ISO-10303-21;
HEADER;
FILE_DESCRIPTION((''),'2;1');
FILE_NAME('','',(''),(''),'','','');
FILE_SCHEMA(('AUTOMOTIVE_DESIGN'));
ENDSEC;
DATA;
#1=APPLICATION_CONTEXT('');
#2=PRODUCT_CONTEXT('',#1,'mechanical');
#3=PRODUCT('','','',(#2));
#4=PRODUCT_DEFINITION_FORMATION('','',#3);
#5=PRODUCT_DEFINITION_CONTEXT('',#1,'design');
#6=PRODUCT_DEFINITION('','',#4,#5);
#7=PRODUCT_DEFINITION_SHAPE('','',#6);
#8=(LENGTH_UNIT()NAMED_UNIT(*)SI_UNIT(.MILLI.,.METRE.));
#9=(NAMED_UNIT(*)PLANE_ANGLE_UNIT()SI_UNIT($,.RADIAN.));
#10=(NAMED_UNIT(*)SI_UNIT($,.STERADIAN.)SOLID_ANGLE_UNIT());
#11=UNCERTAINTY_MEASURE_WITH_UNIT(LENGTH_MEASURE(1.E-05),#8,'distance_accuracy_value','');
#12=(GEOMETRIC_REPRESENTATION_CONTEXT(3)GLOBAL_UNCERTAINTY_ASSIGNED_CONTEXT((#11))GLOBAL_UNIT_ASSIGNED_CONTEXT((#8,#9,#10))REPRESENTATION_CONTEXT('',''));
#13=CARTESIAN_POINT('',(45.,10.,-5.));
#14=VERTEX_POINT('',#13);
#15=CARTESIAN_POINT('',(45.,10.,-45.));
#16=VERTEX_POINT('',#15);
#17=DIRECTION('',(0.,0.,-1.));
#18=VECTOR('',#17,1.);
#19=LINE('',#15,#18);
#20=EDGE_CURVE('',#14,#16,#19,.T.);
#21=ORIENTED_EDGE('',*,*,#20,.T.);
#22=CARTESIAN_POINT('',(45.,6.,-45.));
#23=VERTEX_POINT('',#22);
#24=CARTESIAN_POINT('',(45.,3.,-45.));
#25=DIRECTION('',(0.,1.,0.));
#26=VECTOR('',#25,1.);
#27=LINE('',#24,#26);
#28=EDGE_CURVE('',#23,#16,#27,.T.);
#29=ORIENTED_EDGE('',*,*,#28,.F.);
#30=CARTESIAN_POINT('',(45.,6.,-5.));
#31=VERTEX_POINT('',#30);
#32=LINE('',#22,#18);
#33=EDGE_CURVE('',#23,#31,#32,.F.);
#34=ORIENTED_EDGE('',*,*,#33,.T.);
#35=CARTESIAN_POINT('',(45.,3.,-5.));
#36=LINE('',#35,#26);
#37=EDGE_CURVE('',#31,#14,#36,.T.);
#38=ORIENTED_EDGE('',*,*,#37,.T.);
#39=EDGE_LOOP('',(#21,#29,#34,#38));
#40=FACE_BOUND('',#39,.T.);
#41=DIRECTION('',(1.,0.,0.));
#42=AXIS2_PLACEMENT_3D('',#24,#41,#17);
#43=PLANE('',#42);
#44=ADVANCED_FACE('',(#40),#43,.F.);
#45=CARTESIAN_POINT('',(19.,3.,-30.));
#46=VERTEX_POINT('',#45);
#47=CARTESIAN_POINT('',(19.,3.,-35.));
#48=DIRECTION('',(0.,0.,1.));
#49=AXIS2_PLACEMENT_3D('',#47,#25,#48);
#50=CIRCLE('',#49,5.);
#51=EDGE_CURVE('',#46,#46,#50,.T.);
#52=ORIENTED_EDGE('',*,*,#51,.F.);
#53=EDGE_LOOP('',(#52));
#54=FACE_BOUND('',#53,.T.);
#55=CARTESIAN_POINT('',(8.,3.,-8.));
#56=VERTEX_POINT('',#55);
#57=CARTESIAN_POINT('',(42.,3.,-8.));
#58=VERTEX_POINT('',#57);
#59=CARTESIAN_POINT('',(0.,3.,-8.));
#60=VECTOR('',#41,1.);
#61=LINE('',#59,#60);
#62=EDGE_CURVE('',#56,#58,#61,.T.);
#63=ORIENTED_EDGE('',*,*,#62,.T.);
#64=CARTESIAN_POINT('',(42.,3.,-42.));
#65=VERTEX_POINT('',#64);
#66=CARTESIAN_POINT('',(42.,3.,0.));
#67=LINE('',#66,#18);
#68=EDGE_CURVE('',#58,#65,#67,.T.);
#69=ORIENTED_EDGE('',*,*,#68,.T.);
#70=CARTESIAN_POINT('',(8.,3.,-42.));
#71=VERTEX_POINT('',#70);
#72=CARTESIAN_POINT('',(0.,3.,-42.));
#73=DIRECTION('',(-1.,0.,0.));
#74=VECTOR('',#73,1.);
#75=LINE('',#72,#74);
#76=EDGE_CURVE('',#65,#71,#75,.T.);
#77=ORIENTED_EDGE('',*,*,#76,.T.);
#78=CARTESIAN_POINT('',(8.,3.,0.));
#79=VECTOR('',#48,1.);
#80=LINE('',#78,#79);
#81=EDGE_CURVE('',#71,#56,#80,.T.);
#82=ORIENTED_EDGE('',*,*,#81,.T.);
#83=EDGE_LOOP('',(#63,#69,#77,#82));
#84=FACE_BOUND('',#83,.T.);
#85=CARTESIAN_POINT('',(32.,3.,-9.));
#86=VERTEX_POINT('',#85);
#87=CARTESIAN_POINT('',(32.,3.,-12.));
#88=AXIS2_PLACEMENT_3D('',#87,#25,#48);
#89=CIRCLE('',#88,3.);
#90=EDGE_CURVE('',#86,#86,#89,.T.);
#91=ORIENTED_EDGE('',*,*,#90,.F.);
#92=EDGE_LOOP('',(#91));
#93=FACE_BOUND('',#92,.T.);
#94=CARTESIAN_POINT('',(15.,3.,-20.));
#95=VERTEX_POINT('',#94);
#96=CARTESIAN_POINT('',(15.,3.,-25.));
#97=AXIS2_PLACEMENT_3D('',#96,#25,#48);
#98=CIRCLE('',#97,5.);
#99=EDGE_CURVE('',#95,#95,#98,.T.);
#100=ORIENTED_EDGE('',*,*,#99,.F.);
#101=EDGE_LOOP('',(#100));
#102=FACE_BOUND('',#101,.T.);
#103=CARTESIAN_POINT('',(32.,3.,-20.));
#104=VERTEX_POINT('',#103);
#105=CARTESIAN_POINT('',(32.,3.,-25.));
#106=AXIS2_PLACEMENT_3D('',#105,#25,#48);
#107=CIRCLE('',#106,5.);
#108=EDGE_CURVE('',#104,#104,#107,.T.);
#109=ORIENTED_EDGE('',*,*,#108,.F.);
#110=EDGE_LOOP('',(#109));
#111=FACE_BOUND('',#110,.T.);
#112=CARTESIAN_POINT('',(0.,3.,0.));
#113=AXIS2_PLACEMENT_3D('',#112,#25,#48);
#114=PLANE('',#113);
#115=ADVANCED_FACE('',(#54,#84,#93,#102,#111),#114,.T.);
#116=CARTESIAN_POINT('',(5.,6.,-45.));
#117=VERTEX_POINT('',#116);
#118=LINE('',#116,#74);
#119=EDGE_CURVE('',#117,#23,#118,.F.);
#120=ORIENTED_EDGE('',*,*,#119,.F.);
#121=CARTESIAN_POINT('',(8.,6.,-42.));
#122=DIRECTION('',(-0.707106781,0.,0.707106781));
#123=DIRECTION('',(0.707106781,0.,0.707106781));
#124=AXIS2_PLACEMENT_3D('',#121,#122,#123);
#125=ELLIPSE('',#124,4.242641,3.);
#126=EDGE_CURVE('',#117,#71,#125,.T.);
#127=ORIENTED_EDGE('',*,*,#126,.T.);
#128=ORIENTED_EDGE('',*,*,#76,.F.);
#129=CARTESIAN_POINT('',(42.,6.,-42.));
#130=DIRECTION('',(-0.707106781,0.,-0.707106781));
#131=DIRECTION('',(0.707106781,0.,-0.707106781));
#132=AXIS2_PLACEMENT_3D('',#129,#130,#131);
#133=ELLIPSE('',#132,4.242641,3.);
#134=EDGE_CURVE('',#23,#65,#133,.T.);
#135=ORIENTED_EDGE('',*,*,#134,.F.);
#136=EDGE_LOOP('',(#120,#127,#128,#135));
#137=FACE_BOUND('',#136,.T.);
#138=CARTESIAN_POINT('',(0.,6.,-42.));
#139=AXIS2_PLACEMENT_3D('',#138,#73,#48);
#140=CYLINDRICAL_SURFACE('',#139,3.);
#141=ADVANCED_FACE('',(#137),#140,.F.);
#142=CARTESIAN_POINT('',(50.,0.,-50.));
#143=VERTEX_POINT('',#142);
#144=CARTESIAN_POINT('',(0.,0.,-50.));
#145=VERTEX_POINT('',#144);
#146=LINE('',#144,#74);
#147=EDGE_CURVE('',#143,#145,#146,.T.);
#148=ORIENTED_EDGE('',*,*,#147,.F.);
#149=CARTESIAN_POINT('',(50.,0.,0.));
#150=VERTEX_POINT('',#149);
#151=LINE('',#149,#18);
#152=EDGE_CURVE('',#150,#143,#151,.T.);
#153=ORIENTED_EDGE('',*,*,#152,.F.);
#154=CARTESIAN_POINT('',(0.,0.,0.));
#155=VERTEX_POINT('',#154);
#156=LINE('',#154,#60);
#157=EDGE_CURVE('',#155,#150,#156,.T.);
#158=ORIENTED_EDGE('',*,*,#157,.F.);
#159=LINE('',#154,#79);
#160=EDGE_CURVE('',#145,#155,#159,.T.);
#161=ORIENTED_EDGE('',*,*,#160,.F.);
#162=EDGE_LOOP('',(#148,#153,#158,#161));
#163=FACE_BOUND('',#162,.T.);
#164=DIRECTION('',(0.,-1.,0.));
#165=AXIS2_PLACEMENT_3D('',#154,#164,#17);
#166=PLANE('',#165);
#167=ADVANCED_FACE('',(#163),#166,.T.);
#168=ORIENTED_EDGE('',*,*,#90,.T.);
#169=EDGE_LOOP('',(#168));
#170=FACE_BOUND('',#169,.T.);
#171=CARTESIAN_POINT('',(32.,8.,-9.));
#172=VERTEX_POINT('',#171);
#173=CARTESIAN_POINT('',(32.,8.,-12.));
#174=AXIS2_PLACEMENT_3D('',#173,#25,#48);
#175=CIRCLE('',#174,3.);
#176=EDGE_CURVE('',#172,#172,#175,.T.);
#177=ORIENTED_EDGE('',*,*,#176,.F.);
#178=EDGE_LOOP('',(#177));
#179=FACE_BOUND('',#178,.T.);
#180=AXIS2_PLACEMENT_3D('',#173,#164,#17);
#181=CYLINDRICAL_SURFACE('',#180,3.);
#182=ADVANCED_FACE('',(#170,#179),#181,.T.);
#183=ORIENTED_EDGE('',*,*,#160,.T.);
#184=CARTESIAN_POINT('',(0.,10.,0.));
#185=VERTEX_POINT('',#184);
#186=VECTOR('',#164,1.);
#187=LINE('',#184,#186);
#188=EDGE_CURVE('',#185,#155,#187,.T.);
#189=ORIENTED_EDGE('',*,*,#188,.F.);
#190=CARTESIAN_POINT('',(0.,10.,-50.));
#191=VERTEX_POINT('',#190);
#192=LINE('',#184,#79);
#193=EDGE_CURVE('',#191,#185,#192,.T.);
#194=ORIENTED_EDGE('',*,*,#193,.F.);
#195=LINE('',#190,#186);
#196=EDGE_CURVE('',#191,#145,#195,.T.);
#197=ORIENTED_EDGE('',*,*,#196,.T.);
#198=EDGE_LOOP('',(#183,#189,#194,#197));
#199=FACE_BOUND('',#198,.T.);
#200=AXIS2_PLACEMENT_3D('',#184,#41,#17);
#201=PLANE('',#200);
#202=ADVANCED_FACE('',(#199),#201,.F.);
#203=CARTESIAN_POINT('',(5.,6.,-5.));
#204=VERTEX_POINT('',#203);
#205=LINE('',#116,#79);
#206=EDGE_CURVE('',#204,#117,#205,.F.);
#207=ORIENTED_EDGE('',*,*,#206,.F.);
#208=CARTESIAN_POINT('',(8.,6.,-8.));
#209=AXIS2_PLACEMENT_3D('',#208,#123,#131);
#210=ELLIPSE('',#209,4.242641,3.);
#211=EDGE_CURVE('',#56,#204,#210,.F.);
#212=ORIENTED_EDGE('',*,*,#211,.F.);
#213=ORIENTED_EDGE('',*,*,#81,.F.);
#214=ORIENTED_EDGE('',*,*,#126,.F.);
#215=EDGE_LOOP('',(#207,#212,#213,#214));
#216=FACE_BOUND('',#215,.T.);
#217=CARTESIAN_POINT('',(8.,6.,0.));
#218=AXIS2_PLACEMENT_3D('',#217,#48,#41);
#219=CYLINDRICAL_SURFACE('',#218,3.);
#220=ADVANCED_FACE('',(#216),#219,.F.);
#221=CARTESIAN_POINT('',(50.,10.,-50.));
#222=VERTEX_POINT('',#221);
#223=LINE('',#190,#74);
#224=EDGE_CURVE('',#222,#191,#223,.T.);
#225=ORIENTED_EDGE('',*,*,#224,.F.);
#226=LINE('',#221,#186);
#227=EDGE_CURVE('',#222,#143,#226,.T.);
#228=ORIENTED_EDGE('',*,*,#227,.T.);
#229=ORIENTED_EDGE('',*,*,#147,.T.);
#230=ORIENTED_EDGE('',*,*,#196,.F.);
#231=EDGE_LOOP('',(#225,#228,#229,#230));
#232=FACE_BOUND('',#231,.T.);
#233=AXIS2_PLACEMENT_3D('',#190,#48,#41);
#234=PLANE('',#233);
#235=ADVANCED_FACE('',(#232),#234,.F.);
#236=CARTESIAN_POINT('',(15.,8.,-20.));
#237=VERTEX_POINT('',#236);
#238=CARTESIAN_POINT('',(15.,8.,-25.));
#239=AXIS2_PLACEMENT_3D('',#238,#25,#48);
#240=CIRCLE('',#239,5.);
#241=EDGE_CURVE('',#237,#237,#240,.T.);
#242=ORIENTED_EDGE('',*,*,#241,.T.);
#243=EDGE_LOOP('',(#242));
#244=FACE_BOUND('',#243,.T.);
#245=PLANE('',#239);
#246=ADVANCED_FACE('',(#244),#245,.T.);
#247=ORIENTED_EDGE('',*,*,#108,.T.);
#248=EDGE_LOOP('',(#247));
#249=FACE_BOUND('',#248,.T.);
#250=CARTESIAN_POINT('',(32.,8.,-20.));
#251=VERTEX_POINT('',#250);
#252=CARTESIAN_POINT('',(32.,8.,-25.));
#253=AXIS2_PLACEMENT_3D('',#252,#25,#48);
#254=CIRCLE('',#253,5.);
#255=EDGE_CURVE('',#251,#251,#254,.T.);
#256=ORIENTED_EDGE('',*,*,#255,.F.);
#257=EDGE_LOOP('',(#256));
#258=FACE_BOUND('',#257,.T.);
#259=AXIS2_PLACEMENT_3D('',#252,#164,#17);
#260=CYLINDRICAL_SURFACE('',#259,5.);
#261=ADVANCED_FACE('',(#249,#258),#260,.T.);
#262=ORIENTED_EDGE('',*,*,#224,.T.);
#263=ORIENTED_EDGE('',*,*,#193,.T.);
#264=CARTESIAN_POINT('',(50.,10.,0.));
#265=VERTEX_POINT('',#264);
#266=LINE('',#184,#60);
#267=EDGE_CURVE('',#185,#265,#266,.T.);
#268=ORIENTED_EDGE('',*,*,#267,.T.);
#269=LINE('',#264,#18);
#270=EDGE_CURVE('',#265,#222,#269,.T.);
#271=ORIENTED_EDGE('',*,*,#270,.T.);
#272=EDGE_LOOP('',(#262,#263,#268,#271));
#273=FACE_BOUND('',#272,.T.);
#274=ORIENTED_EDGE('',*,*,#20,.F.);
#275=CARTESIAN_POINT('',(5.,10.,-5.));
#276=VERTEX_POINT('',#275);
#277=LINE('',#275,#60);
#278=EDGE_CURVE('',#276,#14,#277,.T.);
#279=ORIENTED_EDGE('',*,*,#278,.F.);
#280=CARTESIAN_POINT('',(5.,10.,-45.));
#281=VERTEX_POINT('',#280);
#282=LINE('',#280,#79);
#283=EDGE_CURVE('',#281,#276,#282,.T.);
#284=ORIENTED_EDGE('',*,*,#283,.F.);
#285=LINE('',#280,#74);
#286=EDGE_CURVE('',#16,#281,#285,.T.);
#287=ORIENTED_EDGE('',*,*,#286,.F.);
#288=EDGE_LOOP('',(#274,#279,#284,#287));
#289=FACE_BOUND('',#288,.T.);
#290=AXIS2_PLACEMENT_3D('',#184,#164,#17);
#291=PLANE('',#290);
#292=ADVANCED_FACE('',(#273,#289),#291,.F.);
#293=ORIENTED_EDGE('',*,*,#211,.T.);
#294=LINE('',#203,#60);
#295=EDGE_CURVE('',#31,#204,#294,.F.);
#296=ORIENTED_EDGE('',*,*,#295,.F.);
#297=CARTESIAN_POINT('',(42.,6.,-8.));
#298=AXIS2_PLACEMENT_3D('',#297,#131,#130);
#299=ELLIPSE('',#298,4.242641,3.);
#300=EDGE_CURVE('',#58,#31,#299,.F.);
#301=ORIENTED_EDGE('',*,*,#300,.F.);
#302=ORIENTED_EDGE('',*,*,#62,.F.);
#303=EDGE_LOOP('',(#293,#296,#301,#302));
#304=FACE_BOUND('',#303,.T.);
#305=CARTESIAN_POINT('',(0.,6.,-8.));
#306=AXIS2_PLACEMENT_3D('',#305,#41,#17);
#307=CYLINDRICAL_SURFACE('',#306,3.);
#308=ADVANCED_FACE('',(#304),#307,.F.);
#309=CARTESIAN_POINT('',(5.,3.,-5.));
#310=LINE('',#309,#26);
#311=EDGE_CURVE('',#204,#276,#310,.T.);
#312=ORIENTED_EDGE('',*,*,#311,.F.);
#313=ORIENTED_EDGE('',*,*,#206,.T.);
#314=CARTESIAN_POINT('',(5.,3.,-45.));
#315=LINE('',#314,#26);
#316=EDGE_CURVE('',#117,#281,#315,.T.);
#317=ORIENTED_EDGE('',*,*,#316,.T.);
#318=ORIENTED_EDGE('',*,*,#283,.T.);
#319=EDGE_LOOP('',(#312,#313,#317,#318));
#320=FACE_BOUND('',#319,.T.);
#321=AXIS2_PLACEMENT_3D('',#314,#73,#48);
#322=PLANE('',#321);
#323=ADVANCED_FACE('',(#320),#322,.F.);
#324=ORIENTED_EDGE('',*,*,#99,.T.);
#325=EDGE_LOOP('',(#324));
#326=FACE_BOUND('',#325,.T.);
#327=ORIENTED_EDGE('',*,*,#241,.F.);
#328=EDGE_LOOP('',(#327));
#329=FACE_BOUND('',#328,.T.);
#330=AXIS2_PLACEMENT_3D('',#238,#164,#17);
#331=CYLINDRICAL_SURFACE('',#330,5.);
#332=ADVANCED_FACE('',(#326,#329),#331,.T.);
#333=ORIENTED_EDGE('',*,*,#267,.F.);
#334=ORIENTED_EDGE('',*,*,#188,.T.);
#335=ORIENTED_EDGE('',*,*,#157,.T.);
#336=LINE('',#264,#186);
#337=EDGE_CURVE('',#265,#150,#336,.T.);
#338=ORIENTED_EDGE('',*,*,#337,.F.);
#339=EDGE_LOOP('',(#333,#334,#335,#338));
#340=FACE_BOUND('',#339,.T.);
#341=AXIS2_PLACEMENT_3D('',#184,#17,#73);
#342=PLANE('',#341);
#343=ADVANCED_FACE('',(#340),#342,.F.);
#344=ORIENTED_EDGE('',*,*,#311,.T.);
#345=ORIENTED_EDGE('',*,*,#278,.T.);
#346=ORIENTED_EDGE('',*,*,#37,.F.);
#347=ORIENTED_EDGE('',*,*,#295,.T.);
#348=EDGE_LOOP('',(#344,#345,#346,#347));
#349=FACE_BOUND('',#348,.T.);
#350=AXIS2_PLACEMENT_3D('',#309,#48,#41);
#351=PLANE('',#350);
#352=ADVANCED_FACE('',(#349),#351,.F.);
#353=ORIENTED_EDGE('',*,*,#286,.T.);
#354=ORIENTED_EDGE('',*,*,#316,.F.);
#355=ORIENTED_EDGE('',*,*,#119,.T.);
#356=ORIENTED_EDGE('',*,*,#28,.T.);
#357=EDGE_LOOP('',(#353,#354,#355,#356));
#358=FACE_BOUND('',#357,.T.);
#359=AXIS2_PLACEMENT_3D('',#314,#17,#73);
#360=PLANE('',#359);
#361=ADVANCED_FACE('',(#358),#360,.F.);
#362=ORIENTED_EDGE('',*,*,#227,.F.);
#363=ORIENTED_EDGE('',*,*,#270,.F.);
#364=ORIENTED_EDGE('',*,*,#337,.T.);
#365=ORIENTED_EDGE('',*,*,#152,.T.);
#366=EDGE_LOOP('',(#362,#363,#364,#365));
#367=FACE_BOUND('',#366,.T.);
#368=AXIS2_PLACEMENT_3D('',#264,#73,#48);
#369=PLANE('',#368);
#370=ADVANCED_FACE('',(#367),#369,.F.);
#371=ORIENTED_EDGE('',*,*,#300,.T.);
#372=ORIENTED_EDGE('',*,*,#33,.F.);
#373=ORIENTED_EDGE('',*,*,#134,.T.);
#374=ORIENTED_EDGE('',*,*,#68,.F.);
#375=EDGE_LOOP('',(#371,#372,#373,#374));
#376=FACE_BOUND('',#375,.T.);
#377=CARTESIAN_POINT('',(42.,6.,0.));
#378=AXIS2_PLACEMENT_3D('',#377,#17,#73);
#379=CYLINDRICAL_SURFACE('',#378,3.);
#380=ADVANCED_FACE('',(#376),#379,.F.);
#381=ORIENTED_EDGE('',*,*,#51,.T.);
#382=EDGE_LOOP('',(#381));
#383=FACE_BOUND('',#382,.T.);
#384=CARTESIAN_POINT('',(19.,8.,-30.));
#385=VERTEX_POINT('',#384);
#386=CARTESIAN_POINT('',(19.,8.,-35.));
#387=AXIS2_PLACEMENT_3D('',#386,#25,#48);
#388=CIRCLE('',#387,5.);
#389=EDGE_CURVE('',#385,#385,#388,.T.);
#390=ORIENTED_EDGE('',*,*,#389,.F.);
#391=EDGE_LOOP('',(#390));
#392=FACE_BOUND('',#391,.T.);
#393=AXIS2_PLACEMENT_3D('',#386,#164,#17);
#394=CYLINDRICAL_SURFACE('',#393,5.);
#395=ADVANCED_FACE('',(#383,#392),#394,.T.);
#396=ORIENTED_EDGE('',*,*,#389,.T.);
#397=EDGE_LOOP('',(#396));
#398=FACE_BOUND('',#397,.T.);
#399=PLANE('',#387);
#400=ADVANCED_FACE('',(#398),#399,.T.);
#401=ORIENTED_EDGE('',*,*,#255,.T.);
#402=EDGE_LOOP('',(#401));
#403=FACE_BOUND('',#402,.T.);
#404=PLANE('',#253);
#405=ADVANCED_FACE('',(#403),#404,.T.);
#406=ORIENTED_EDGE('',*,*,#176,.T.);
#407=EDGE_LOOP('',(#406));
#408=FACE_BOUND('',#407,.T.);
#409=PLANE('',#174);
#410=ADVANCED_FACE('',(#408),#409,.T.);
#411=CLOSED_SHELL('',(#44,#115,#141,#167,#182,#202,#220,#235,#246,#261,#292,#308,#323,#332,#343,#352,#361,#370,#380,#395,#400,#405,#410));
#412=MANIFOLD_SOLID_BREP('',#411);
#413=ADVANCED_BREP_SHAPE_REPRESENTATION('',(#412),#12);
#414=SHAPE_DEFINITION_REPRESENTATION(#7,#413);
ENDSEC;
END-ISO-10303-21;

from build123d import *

# Parameters (mm, degrees)
SKETCH1_W           = 50
SKETCH1_H           = 50
BOSS_EXTRUDE1_DEPTH = 10
SKETCH2_W           = 40
SKETCH2_H           = 40
CUT_EXTRUDE1_DEPTH  = 7
FILLET1_R           = 3
SKETCH3_R           = 5
SKETCH3_R_2         = 3
BOSS_EXTRUDE2_DEPTH = 5


with BuildPart() as part:
    # Sketch1 → Boss-Extrude1 (new body)
    with BuildSketch(Plane(origin=(0, 0, 0), x_dir=(1, 0, 0), z_dir=(0, 1, 0))):
        with Locations((25, 25)):
            Rectangle(SKETCH1_W, SKETCH1_H)
    extrude(amount=BOSS_EXTRUDE1_DEPTH)

    # Sketch2 → Cut-Extrude1 (cut)
    with BuildSketch(Plane(origin=(0, 10, 0), x_dir=(1, 0, 0), z_dir=(0, 1, 0))):
        with Locations((25, 25)):
            Rectangle(SKETCH2_W, SKETCH2_H)
    extrude(amount=-CUT_EXTRUDE1_DEPTH, mode=Mode.SUBTRACT)

    # Fillet1
    fillet1_edges = [part.edges().sort_by_distance(p)[0] for p in [
        (5, 3, -25),
        (25, 3, -45),
        (45, 3, -25),
        (25, 3, -5),
    ]]
    fillet(fillet1_edges, radius=FILLET1_R)

    # Sketch3 → Boss-Extrude2 (add)
    with BuildSketch(Plane(origin=(0, 3, 0), x_dir=(1, 0, 0), z_dir=(0, 1, 0))):
        with Locations(Location((19, 35, 0), (0, 0, 270))):
            Circle(SKETCH3_R)
        with Locations(Location((32, 25, 0), (0, 0, 270))):
            Circle(SKETCH3_R)
        with Locations(Location((15, 25, 0), (0, 0, 270))):
            Circle(SKETCH3_R)
        with Locations(Location((32, 12, 0), (0, 0, 270))):
            Circle(SKETCH3_R_2)
    extrude(amount=BOSS_EXTRUDE2_DEPTH)


solid = part.part
